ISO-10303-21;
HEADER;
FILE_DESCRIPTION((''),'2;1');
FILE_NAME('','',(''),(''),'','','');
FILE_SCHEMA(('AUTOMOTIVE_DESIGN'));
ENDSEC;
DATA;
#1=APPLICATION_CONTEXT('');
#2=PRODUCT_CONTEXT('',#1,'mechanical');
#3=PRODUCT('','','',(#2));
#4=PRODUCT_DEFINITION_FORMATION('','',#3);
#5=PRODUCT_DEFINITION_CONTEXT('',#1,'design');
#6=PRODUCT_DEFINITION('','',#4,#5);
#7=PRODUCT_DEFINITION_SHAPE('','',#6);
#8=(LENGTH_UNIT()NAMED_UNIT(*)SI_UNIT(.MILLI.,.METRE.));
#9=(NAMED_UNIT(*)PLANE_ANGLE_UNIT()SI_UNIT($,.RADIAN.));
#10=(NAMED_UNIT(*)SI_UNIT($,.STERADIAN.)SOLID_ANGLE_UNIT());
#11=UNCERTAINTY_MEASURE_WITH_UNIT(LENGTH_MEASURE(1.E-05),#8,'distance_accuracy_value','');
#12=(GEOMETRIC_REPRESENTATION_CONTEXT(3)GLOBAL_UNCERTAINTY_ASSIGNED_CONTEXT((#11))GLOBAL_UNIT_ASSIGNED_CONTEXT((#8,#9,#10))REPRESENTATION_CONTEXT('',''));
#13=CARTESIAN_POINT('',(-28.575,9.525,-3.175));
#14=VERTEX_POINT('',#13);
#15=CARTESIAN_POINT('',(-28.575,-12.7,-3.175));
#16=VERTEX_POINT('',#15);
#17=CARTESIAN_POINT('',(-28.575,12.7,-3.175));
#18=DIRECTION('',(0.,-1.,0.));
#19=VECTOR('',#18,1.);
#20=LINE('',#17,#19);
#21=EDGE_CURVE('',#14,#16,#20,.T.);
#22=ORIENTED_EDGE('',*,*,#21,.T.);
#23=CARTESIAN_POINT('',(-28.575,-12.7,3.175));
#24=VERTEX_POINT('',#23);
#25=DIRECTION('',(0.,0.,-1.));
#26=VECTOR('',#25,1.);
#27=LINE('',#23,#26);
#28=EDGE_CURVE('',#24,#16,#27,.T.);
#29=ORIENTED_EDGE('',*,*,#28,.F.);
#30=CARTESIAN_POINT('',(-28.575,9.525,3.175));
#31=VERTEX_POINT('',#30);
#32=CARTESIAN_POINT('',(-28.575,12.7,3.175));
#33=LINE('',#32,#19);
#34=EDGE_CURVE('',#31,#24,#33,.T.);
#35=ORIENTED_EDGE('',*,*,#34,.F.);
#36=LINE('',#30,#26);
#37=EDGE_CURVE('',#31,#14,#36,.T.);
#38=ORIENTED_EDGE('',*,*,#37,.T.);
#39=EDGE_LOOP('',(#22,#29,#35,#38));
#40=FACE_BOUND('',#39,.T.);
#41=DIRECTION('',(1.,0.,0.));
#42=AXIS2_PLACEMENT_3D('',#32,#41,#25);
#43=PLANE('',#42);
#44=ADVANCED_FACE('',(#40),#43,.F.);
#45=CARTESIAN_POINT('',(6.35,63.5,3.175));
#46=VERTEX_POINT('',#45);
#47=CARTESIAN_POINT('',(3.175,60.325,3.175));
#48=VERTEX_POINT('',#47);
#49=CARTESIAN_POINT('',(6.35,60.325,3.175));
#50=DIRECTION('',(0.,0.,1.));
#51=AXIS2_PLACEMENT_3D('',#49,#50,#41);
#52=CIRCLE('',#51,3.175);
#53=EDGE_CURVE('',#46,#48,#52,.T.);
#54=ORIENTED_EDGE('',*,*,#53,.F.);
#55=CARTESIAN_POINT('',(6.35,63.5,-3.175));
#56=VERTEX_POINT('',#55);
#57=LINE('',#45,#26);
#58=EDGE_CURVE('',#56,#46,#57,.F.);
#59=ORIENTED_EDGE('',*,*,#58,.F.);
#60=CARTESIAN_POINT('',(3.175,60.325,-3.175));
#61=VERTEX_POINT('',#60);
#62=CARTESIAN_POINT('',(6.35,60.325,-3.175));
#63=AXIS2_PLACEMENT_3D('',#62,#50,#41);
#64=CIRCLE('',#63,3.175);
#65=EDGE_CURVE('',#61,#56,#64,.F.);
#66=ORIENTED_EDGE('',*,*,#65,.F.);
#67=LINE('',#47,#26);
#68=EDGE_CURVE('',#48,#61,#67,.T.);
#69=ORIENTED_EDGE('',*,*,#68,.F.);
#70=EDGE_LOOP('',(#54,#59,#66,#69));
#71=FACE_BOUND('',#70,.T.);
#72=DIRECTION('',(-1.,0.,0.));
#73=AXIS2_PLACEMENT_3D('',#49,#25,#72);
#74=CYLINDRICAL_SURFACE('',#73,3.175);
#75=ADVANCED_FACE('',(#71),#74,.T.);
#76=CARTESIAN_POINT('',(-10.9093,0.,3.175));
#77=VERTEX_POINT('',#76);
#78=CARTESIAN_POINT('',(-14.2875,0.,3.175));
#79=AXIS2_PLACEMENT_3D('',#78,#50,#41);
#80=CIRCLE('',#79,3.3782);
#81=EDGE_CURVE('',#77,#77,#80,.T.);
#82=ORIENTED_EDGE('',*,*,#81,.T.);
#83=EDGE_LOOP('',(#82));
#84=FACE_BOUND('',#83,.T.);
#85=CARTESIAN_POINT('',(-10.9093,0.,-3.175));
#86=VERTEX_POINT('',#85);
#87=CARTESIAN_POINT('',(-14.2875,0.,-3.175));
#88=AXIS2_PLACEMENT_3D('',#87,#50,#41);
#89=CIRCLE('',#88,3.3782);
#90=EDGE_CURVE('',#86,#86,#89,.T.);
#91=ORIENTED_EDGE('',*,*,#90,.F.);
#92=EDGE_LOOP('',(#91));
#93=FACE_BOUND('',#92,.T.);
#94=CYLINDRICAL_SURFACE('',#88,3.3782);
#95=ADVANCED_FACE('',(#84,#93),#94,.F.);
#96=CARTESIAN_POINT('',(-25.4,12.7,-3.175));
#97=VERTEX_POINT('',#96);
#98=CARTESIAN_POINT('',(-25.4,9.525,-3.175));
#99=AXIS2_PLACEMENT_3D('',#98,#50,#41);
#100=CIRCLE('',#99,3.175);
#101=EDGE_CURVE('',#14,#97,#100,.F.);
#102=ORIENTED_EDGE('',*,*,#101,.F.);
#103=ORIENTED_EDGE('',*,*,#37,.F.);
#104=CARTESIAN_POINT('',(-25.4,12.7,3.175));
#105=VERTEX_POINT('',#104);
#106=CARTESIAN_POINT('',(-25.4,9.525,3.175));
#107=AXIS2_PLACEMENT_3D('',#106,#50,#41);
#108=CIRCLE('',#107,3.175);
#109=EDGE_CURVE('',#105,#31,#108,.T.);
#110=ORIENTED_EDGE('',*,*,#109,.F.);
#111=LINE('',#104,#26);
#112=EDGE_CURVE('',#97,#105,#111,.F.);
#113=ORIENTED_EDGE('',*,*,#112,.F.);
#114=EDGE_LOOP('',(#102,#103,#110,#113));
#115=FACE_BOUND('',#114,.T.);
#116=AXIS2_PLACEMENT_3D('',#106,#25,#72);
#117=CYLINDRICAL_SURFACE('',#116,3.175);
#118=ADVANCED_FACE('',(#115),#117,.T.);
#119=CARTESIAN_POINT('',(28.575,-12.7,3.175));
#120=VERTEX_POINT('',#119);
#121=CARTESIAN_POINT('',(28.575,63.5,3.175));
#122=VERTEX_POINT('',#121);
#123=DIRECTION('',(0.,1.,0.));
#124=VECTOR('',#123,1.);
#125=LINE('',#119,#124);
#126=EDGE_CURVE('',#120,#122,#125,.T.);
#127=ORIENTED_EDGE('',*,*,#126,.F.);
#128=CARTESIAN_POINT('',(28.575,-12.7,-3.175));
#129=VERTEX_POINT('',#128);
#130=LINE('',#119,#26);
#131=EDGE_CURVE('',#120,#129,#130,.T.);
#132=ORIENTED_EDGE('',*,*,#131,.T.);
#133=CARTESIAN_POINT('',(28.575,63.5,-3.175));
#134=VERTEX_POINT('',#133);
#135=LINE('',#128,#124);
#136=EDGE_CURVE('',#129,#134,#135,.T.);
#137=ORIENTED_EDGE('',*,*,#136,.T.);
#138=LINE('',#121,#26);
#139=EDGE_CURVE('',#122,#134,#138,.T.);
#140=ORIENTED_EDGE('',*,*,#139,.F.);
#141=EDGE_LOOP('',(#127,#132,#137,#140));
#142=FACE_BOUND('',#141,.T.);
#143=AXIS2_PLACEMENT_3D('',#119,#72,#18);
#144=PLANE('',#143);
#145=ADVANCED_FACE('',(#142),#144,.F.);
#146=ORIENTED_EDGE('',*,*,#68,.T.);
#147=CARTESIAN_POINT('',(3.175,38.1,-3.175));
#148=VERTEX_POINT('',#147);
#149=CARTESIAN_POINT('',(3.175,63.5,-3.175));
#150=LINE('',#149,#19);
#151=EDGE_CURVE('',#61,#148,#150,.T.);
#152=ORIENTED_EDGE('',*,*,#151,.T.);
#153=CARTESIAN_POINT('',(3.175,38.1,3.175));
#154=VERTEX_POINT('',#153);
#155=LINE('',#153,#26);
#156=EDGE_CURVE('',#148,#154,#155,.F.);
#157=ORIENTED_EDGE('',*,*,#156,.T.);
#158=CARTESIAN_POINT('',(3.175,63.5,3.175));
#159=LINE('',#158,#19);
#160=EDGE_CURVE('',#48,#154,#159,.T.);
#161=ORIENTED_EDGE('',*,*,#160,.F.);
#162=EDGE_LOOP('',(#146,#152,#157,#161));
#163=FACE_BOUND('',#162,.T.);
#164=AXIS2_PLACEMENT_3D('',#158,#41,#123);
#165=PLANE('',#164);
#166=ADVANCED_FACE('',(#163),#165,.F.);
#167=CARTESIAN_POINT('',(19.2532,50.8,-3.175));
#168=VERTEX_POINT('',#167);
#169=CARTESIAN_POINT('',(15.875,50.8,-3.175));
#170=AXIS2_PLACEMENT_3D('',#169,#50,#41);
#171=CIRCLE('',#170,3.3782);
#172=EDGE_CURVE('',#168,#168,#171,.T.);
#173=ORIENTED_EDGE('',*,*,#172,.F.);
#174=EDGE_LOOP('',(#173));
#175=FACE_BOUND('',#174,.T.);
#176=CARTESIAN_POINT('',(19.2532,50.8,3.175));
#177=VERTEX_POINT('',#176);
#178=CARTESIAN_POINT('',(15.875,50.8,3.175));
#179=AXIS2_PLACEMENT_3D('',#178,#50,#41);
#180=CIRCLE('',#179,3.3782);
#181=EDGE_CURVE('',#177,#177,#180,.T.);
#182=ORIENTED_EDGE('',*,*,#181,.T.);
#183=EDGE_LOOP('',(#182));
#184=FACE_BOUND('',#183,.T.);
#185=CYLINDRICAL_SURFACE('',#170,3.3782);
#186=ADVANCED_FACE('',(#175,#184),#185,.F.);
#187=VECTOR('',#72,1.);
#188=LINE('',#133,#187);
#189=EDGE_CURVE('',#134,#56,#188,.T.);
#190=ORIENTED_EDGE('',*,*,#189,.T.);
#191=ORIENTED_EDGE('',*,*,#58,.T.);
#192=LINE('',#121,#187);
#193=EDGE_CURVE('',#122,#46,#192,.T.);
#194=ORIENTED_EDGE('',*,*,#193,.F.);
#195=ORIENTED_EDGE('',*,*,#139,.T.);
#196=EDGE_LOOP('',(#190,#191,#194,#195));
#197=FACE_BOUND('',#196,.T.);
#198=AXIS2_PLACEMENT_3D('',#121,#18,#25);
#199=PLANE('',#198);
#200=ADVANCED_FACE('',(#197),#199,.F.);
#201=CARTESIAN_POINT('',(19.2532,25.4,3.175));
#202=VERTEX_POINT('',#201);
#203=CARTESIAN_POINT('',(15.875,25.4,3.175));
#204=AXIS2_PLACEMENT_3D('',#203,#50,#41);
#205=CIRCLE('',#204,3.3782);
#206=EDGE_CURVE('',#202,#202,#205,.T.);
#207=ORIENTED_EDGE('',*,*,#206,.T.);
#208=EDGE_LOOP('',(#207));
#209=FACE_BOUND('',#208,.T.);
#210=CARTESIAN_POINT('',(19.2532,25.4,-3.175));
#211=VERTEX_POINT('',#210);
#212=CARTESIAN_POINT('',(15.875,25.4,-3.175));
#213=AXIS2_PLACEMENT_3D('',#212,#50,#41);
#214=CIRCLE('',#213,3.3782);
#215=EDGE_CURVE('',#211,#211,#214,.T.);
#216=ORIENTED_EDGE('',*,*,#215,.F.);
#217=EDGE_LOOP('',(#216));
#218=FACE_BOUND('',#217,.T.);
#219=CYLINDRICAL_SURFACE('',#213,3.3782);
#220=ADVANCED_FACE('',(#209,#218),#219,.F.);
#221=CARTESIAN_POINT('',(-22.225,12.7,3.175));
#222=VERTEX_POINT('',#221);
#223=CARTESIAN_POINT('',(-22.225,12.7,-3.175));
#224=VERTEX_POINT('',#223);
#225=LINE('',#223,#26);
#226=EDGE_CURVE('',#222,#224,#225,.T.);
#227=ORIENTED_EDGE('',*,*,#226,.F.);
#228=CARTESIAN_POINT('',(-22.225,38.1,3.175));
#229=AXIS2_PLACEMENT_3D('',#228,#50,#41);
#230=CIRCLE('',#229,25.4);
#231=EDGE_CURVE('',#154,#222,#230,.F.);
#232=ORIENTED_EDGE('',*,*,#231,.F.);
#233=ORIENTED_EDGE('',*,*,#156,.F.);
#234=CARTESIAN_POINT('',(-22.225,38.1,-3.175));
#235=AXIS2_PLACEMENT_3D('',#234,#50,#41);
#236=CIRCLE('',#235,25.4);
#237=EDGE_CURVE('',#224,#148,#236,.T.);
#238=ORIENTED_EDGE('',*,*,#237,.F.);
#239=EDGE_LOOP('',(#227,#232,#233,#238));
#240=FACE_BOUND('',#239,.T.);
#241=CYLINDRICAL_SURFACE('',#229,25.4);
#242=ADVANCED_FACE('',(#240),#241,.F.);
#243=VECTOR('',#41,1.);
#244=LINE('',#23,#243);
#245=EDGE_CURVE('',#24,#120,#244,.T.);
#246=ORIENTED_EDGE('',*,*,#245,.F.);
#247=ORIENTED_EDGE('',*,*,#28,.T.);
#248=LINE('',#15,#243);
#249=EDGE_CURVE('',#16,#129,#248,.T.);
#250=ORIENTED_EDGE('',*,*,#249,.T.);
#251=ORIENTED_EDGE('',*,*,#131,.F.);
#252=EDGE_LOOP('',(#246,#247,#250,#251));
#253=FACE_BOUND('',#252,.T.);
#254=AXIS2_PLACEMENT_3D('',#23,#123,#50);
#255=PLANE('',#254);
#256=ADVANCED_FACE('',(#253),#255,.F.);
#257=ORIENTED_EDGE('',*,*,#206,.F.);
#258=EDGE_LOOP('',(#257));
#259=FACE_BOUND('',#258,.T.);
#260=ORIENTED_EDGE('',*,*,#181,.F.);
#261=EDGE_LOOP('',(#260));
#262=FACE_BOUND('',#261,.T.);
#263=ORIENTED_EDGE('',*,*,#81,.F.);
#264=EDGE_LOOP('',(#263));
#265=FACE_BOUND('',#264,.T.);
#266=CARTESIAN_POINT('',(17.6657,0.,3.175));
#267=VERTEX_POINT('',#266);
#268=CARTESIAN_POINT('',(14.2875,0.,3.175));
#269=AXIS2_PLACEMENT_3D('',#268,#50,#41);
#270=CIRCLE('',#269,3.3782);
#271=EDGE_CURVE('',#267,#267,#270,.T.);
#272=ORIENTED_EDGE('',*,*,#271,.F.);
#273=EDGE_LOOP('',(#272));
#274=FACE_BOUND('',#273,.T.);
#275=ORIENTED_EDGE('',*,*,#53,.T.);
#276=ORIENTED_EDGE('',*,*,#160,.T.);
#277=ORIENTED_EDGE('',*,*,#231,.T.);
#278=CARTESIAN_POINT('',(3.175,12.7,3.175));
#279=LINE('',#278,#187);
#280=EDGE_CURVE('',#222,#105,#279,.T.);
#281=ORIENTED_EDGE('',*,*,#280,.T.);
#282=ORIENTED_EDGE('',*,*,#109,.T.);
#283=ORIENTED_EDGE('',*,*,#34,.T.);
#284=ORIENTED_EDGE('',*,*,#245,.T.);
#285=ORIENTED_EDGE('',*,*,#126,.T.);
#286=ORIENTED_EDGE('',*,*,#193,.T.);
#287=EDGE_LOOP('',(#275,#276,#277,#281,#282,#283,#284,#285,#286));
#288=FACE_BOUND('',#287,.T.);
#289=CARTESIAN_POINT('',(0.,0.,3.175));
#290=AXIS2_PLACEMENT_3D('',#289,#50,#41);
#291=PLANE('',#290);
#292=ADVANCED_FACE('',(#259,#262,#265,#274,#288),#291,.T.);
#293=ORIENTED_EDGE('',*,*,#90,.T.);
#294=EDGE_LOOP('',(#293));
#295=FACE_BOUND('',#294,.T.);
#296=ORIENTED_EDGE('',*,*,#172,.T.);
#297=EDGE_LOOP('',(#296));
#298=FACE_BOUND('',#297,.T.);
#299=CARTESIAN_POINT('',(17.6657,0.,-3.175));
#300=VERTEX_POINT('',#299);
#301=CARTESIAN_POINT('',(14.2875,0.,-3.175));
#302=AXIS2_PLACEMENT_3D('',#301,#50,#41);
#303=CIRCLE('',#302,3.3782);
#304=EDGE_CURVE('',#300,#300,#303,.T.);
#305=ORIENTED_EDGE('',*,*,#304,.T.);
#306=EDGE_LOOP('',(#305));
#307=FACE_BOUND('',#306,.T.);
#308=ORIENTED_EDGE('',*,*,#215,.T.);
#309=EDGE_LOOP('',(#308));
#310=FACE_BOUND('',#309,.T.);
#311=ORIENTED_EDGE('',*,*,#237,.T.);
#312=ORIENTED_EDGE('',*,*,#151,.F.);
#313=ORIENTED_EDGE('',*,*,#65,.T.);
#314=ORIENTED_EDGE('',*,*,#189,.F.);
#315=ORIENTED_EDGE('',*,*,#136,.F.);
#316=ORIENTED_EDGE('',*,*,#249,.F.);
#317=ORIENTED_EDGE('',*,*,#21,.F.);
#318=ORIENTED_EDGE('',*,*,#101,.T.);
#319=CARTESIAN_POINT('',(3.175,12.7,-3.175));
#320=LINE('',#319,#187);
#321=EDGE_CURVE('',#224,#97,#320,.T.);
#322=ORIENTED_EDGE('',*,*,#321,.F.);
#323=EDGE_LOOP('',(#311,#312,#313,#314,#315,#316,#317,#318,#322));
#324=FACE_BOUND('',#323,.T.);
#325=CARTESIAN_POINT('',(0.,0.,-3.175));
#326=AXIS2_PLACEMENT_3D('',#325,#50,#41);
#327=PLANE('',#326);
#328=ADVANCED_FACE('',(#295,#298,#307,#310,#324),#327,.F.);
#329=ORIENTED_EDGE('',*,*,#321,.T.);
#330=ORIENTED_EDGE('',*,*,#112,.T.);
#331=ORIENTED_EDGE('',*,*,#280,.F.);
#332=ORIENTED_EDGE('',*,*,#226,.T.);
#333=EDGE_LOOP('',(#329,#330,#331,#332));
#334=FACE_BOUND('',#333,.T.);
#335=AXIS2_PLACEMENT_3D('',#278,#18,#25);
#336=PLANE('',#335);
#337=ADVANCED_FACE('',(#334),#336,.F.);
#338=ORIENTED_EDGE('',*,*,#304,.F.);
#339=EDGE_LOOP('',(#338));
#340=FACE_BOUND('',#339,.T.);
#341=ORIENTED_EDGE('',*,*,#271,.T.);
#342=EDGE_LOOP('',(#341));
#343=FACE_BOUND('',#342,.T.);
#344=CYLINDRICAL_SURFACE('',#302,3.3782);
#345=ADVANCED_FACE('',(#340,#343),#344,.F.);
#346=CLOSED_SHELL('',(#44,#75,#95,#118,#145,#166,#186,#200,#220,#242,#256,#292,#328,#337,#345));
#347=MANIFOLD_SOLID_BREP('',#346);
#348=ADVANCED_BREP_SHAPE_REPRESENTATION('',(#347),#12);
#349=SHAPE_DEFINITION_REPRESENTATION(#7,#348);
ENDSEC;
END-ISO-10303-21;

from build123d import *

# Parameters (mm, degrees)
BOSS_EXTRUDE1_DEPTH = 3.175
SKETCH2_R           = 3.3782
CUT_EXTRUDE1_DEPTH  = 70.922121857
SKETCH3_R           = 3.3782
CUT_EXTRUDE2_DEPTH  = 70.922121857
FILLET1_R           = 25.4
FILLET2_R           = 3.175


with BuildPart() as part:
    # Sketch1 → Boss-Extrude1 (new, symmetric)
    with BuildSketch(Plane.XY):
        Polygon((-28.575, -12.7), (28.575, -12.7), (28.575, 63.5), (3.175, 63.5), (3.175, 12.7), (-28.575, 12.7), align=None)
    extrude(amount=BOSS_EXTRUDE1_DEPTH, both=True)

    # Sketch2 → Cut-Extrude1 (cut, through all)
    with BuildSketch(Plane.XY.offset(3.175)):
        with Locations((15.875, 25.4)):
            Circle(SKETCH2_R)
        with Locations((15.875, 50.8)):
            Circle(SKETCH2_R)
    extrude(amount=-CUT_EXTRUDE1_DEPTH, mode=Mode.SUBTRACT)

    # Sketch3 → Cut-Extrude2 (cut, through all)
    with BuildSketch(Plane.XY.offset(3.175)):
        with Locations((-14.2875, 0)):
            Circle(SKETCH3_R)
        with Locations((14.2875, 0)):
            Circle(SKETCH3_R)
    extrude(amount=-CUT_EXTRUDE2_DEPTH, mode=Mode.SUBTRACT)

    # Fillet1
    fillet1_edges = [part.edges().sort_by_distance(p)[0] for p in [
        (3.175, 12.7, 0),
    ]]
    fillet(fillet1_edges, radius=FILLET1_R)

    # Fillet2
    fillet2_edges = [part.edges().sort_by_distance(p)[0] for p in [
        (-28.575, 12.7, 0),
        (3.175, 63.5, 0),
    ]]
    fillet(fillet2_edges, radius=FILLET2_R)


solid = part.part
